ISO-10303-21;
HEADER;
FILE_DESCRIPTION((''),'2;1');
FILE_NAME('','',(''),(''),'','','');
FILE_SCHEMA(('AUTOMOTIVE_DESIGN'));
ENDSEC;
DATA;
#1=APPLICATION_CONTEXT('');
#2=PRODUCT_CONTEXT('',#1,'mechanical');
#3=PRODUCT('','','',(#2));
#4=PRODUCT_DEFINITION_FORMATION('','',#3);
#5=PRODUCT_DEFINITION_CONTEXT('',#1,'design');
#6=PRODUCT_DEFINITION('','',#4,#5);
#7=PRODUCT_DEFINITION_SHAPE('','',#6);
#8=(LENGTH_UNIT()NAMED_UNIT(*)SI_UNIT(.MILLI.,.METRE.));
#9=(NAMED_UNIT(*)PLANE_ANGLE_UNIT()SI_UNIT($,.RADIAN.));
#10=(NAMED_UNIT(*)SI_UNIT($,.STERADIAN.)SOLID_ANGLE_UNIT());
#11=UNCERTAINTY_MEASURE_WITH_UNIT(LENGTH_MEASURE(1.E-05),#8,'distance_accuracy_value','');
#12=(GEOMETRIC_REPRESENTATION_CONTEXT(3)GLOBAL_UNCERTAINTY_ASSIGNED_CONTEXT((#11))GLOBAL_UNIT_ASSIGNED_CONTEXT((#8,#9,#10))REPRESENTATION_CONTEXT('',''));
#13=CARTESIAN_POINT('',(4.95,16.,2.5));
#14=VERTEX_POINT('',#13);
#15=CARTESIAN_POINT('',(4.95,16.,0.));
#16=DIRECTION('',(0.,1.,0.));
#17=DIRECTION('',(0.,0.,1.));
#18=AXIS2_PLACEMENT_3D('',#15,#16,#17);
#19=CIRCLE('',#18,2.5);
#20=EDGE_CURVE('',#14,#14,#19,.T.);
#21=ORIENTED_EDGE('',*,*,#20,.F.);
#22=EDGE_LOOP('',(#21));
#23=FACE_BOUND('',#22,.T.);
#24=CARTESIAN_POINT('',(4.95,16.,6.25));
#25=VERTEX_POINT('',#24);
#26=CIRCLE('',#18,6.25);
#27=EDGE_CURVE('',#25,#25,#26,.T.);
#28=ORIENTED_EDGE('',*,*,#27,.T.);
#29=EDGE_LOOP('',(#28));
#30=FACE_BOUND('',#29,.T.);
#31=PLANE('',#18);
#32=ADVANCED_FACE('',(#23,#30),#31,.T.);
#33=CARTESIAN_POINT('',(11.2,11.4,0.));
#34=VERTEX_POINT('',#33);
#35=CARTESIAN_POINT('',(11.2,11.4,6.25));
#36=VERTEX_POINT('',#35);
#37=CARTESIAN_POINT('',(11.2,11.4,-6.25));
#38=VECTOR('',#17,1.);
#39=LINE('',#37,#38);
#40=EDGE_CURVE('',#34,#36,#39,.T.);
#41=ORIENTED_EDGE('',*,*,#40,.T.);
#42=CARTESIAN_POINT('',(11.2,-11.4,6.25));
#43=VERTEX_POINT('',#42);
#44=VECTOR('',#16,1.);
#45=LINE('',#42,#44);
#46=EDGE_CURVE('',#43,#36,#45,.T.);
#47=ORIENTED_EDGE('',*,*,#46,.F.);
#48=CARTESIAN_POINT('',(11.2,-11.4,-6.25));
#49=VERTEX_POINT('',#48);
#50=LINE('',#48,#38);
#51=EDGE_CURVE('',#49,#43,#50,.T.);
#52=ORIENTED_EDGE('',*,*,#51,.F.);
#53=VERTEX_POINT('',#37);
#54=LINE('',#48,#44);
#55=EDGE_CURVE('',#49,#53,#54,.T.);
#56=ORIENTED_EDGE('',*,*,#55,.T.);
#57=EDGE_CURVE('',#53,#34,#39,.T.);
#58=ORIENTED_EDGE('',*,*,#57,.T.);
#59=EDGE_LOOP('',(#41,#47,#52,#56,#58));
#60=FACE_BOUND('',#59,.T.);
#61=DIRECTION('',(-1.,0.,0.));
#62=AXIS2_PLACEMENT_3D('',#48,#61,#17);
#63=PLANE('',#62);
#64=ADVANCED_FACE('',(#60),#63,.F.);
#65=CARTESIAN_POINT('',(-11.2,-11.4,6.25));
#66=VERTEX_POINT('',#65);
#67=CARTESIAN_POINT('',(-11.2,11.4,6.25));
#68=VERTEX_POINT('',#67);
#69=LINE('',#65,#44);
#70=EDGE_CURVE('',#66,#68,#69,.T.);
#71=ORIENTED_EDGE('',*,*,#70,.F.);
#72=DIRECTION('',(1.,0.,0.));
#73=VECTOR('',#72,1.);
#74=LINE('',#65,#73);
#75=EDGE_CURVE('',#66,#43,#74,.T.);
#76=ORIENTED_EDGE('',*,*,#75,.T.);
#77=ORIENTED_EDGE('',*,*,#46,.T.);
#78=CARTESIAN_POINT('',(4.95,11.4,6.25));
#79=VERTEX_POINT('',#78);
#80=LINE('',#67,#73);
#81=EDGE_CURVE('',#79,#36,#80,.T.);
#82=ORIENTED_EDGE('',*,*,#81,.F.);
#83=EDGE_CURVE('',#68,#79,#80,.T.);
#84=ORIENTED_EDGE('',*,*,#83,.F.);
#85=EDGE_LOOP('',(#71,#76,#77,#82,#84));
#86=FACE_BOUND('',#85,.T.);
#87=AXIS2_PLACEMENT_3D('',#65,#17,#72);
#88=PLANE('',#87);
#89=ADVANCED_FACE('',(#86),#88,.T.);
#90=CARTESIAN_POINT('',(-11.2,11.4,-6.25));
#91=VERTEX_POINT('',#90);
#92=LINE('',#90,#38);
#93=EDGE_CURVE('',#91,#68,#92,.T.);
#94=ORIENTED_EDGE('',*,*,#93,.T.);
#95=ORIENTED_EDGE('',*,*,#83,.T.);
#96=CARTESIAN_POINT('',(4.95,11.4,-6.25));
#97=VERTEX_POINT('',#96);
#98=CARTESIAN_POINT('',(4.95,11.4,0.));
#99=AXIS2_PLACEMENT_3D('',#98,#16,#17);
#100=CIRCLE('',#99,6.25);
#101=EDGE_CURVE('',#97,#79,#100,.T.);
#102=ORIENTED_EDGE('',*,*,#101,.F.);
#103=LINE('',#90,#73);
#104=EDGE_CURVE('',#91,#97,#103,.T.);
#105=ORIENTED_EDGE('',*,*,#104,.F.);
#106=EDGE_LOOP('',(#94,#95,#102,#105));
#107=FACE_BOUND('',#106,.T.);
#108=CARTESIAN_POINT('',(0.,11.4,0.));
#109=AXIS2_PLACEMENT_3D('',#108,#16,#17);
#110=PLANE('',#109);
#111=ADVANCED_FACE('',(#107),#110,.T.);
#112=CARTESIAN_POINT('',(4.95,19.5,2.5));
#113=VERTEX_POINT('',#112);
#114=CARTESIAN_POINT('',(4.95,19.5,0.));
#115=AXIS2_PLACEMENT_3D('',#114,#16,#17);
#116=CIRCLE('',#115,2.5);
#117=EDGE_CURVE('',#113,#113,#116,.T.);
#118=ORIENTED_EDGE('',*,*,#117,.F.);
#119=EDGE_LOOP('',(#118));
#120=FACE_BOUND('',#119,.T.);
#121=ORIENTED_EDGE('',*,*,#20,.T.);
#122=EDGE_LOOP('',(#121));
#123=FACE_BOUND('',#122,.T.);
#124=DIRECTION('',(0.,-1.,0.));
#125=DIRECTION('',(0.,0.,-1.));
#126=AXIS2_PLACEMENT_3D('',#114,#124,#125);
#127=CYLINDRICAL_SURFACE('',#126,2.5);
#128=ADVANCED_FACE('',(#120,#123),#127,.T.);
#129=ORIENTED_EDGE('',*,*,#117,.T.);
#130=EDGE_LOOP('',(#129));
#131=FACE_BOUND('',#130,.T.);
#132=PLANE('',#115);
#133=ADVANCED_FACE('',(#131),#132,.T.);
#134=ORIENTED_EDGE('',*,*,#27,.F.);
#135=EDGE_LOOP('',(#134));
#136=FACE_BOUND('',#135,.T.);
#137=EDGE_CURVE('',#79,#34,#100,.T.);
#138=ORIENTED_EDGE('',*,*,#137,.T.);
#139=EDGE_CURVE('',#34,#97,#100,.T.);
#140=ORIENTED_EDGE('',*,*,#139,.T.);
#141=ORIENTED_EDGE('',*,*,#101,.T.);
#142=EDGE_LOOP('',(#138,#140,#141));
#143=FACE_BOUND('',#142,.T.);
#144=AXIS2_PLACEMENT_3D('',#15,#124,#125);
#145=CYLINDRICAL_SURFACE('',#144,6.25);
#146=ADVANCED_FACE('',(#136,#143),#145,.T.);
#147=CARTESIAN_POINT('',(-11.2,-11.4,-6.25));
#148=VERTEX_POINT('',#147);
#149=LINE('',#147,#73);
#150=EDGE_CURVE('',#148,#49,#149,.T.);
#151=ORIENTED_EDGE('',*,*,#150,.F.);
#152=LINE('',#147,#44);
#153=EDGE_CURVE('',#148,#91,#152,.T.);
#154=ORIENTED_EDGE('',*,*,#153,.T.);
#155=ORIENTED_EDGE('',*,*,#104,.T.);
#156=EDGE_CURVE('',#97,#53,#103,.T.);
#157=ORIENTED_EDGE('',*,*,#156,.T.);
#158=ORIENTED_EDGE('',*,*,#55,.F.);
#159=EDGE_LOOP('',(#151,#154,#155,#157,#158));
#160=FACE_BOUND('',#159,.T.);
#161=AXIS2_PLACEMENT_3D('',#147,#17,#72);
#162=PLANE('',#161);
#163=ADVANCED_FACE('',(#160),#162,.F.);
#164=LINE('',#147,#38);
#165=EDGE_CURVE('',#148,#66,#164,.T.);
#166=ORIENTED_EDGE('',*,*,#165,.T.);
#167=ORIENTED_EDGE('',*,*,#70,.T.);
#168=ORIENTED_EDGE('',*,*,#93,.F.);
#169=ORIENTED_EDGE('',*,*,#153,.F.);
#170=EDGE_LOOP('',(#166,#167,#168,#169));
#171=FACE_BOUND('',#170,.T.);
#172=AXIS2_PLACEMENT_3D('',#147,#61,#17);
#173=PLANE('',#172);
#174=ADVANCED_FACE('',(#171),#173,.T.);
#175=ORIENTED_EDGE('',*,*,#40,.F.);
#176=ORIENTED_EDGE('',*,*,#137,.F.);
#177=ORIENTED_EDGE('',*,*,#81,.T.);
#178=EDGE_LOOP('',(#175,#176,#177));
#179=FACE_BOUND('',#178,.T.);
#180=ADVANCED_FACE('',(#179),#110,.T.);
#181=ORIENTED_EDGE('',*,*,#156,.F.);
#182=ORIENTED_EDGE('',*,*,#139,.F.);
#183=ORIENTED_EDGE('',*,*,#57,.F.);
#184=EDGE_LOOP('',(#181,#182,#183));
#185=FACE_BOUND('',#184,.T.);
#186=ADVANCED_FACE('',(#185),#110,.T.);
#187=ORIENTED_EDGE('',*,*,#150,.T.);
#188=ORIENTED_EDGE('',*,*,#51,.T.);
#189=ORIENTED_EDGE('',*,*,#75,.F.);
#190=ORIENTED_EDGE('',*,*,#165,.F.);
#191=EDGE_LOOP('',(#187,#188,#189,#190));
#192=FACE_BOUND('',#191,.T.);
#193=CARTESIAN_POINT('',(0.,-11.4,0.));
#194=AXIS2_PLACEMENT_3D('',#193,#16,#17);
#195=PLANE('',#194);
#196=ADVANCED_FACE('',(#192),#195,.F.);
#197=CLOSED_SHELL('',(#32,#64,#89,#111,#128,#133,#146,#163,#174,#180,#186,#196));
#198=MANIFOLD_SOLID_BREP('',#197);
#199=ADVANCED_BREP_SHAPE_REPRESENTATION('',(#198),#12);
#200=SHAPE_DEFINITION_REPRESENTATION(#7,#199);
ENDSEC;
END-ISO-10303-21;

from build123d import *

# Parameters (mm, degrees)
BOSS_EXTRUDE2_DEPTH      = 11.4
BOSS_EXTRUDE2_DEPTH_BACK = 11.4
SKETCH1_W                = 22.4
SKETCH1_H                = 12.5
SKETCH3_R                = 6.25
BOSS_EXTRUDE3_DEPTH      = 4.6
SKETCH4_R                = 2.5
BOSS_EXTRUDE4_DEPTH      = 3.5


with BuildPart() as part:
    # Sketch1 → Boss-Extrude2 (new, two sides: drawn at the far end of the back side and taken through both)
    with BuildSketch(Plane(origin=(0, 0, 0), x_dir=(1, 0, 0), z_dir=(0, 1, 0)).offset(-BOSS_EXTRUDE2_DEPTH_BACK)):
        Rectangle(SKETCH1_W, SKETCH1_H)
    extrude(amount=BOSS_EXTRUDE2_DEPTH + BOSS_EXTRUDE2_DEPTH_BACK)

    # Sketch3 → Boss-Extrude3 (add)
    with BuildSketch(Plane(origin=(0, 11.4, 0), x_dir=(1, 0, 0), z_dir=(0, 1, 0))):
        with Locations((4.95, 0)):
            Circle(SKETCH3_R)
    extrude(amount=BOSS_EXTRUDE3_DEPTH)

    # Sketch4 → Boss-Extrude4 (add)
    with BuildSketch(Plane(origin=(0, 16, 0), x_dir=(1, 0, 0), z_dir=(0, 1, 0))):
        with Locations((4.95, 0)):
            Circle(SKETCH4_R)
    extrude(amount=BOSS_EXTRUDE4_DEPTH)


solid = part.part
